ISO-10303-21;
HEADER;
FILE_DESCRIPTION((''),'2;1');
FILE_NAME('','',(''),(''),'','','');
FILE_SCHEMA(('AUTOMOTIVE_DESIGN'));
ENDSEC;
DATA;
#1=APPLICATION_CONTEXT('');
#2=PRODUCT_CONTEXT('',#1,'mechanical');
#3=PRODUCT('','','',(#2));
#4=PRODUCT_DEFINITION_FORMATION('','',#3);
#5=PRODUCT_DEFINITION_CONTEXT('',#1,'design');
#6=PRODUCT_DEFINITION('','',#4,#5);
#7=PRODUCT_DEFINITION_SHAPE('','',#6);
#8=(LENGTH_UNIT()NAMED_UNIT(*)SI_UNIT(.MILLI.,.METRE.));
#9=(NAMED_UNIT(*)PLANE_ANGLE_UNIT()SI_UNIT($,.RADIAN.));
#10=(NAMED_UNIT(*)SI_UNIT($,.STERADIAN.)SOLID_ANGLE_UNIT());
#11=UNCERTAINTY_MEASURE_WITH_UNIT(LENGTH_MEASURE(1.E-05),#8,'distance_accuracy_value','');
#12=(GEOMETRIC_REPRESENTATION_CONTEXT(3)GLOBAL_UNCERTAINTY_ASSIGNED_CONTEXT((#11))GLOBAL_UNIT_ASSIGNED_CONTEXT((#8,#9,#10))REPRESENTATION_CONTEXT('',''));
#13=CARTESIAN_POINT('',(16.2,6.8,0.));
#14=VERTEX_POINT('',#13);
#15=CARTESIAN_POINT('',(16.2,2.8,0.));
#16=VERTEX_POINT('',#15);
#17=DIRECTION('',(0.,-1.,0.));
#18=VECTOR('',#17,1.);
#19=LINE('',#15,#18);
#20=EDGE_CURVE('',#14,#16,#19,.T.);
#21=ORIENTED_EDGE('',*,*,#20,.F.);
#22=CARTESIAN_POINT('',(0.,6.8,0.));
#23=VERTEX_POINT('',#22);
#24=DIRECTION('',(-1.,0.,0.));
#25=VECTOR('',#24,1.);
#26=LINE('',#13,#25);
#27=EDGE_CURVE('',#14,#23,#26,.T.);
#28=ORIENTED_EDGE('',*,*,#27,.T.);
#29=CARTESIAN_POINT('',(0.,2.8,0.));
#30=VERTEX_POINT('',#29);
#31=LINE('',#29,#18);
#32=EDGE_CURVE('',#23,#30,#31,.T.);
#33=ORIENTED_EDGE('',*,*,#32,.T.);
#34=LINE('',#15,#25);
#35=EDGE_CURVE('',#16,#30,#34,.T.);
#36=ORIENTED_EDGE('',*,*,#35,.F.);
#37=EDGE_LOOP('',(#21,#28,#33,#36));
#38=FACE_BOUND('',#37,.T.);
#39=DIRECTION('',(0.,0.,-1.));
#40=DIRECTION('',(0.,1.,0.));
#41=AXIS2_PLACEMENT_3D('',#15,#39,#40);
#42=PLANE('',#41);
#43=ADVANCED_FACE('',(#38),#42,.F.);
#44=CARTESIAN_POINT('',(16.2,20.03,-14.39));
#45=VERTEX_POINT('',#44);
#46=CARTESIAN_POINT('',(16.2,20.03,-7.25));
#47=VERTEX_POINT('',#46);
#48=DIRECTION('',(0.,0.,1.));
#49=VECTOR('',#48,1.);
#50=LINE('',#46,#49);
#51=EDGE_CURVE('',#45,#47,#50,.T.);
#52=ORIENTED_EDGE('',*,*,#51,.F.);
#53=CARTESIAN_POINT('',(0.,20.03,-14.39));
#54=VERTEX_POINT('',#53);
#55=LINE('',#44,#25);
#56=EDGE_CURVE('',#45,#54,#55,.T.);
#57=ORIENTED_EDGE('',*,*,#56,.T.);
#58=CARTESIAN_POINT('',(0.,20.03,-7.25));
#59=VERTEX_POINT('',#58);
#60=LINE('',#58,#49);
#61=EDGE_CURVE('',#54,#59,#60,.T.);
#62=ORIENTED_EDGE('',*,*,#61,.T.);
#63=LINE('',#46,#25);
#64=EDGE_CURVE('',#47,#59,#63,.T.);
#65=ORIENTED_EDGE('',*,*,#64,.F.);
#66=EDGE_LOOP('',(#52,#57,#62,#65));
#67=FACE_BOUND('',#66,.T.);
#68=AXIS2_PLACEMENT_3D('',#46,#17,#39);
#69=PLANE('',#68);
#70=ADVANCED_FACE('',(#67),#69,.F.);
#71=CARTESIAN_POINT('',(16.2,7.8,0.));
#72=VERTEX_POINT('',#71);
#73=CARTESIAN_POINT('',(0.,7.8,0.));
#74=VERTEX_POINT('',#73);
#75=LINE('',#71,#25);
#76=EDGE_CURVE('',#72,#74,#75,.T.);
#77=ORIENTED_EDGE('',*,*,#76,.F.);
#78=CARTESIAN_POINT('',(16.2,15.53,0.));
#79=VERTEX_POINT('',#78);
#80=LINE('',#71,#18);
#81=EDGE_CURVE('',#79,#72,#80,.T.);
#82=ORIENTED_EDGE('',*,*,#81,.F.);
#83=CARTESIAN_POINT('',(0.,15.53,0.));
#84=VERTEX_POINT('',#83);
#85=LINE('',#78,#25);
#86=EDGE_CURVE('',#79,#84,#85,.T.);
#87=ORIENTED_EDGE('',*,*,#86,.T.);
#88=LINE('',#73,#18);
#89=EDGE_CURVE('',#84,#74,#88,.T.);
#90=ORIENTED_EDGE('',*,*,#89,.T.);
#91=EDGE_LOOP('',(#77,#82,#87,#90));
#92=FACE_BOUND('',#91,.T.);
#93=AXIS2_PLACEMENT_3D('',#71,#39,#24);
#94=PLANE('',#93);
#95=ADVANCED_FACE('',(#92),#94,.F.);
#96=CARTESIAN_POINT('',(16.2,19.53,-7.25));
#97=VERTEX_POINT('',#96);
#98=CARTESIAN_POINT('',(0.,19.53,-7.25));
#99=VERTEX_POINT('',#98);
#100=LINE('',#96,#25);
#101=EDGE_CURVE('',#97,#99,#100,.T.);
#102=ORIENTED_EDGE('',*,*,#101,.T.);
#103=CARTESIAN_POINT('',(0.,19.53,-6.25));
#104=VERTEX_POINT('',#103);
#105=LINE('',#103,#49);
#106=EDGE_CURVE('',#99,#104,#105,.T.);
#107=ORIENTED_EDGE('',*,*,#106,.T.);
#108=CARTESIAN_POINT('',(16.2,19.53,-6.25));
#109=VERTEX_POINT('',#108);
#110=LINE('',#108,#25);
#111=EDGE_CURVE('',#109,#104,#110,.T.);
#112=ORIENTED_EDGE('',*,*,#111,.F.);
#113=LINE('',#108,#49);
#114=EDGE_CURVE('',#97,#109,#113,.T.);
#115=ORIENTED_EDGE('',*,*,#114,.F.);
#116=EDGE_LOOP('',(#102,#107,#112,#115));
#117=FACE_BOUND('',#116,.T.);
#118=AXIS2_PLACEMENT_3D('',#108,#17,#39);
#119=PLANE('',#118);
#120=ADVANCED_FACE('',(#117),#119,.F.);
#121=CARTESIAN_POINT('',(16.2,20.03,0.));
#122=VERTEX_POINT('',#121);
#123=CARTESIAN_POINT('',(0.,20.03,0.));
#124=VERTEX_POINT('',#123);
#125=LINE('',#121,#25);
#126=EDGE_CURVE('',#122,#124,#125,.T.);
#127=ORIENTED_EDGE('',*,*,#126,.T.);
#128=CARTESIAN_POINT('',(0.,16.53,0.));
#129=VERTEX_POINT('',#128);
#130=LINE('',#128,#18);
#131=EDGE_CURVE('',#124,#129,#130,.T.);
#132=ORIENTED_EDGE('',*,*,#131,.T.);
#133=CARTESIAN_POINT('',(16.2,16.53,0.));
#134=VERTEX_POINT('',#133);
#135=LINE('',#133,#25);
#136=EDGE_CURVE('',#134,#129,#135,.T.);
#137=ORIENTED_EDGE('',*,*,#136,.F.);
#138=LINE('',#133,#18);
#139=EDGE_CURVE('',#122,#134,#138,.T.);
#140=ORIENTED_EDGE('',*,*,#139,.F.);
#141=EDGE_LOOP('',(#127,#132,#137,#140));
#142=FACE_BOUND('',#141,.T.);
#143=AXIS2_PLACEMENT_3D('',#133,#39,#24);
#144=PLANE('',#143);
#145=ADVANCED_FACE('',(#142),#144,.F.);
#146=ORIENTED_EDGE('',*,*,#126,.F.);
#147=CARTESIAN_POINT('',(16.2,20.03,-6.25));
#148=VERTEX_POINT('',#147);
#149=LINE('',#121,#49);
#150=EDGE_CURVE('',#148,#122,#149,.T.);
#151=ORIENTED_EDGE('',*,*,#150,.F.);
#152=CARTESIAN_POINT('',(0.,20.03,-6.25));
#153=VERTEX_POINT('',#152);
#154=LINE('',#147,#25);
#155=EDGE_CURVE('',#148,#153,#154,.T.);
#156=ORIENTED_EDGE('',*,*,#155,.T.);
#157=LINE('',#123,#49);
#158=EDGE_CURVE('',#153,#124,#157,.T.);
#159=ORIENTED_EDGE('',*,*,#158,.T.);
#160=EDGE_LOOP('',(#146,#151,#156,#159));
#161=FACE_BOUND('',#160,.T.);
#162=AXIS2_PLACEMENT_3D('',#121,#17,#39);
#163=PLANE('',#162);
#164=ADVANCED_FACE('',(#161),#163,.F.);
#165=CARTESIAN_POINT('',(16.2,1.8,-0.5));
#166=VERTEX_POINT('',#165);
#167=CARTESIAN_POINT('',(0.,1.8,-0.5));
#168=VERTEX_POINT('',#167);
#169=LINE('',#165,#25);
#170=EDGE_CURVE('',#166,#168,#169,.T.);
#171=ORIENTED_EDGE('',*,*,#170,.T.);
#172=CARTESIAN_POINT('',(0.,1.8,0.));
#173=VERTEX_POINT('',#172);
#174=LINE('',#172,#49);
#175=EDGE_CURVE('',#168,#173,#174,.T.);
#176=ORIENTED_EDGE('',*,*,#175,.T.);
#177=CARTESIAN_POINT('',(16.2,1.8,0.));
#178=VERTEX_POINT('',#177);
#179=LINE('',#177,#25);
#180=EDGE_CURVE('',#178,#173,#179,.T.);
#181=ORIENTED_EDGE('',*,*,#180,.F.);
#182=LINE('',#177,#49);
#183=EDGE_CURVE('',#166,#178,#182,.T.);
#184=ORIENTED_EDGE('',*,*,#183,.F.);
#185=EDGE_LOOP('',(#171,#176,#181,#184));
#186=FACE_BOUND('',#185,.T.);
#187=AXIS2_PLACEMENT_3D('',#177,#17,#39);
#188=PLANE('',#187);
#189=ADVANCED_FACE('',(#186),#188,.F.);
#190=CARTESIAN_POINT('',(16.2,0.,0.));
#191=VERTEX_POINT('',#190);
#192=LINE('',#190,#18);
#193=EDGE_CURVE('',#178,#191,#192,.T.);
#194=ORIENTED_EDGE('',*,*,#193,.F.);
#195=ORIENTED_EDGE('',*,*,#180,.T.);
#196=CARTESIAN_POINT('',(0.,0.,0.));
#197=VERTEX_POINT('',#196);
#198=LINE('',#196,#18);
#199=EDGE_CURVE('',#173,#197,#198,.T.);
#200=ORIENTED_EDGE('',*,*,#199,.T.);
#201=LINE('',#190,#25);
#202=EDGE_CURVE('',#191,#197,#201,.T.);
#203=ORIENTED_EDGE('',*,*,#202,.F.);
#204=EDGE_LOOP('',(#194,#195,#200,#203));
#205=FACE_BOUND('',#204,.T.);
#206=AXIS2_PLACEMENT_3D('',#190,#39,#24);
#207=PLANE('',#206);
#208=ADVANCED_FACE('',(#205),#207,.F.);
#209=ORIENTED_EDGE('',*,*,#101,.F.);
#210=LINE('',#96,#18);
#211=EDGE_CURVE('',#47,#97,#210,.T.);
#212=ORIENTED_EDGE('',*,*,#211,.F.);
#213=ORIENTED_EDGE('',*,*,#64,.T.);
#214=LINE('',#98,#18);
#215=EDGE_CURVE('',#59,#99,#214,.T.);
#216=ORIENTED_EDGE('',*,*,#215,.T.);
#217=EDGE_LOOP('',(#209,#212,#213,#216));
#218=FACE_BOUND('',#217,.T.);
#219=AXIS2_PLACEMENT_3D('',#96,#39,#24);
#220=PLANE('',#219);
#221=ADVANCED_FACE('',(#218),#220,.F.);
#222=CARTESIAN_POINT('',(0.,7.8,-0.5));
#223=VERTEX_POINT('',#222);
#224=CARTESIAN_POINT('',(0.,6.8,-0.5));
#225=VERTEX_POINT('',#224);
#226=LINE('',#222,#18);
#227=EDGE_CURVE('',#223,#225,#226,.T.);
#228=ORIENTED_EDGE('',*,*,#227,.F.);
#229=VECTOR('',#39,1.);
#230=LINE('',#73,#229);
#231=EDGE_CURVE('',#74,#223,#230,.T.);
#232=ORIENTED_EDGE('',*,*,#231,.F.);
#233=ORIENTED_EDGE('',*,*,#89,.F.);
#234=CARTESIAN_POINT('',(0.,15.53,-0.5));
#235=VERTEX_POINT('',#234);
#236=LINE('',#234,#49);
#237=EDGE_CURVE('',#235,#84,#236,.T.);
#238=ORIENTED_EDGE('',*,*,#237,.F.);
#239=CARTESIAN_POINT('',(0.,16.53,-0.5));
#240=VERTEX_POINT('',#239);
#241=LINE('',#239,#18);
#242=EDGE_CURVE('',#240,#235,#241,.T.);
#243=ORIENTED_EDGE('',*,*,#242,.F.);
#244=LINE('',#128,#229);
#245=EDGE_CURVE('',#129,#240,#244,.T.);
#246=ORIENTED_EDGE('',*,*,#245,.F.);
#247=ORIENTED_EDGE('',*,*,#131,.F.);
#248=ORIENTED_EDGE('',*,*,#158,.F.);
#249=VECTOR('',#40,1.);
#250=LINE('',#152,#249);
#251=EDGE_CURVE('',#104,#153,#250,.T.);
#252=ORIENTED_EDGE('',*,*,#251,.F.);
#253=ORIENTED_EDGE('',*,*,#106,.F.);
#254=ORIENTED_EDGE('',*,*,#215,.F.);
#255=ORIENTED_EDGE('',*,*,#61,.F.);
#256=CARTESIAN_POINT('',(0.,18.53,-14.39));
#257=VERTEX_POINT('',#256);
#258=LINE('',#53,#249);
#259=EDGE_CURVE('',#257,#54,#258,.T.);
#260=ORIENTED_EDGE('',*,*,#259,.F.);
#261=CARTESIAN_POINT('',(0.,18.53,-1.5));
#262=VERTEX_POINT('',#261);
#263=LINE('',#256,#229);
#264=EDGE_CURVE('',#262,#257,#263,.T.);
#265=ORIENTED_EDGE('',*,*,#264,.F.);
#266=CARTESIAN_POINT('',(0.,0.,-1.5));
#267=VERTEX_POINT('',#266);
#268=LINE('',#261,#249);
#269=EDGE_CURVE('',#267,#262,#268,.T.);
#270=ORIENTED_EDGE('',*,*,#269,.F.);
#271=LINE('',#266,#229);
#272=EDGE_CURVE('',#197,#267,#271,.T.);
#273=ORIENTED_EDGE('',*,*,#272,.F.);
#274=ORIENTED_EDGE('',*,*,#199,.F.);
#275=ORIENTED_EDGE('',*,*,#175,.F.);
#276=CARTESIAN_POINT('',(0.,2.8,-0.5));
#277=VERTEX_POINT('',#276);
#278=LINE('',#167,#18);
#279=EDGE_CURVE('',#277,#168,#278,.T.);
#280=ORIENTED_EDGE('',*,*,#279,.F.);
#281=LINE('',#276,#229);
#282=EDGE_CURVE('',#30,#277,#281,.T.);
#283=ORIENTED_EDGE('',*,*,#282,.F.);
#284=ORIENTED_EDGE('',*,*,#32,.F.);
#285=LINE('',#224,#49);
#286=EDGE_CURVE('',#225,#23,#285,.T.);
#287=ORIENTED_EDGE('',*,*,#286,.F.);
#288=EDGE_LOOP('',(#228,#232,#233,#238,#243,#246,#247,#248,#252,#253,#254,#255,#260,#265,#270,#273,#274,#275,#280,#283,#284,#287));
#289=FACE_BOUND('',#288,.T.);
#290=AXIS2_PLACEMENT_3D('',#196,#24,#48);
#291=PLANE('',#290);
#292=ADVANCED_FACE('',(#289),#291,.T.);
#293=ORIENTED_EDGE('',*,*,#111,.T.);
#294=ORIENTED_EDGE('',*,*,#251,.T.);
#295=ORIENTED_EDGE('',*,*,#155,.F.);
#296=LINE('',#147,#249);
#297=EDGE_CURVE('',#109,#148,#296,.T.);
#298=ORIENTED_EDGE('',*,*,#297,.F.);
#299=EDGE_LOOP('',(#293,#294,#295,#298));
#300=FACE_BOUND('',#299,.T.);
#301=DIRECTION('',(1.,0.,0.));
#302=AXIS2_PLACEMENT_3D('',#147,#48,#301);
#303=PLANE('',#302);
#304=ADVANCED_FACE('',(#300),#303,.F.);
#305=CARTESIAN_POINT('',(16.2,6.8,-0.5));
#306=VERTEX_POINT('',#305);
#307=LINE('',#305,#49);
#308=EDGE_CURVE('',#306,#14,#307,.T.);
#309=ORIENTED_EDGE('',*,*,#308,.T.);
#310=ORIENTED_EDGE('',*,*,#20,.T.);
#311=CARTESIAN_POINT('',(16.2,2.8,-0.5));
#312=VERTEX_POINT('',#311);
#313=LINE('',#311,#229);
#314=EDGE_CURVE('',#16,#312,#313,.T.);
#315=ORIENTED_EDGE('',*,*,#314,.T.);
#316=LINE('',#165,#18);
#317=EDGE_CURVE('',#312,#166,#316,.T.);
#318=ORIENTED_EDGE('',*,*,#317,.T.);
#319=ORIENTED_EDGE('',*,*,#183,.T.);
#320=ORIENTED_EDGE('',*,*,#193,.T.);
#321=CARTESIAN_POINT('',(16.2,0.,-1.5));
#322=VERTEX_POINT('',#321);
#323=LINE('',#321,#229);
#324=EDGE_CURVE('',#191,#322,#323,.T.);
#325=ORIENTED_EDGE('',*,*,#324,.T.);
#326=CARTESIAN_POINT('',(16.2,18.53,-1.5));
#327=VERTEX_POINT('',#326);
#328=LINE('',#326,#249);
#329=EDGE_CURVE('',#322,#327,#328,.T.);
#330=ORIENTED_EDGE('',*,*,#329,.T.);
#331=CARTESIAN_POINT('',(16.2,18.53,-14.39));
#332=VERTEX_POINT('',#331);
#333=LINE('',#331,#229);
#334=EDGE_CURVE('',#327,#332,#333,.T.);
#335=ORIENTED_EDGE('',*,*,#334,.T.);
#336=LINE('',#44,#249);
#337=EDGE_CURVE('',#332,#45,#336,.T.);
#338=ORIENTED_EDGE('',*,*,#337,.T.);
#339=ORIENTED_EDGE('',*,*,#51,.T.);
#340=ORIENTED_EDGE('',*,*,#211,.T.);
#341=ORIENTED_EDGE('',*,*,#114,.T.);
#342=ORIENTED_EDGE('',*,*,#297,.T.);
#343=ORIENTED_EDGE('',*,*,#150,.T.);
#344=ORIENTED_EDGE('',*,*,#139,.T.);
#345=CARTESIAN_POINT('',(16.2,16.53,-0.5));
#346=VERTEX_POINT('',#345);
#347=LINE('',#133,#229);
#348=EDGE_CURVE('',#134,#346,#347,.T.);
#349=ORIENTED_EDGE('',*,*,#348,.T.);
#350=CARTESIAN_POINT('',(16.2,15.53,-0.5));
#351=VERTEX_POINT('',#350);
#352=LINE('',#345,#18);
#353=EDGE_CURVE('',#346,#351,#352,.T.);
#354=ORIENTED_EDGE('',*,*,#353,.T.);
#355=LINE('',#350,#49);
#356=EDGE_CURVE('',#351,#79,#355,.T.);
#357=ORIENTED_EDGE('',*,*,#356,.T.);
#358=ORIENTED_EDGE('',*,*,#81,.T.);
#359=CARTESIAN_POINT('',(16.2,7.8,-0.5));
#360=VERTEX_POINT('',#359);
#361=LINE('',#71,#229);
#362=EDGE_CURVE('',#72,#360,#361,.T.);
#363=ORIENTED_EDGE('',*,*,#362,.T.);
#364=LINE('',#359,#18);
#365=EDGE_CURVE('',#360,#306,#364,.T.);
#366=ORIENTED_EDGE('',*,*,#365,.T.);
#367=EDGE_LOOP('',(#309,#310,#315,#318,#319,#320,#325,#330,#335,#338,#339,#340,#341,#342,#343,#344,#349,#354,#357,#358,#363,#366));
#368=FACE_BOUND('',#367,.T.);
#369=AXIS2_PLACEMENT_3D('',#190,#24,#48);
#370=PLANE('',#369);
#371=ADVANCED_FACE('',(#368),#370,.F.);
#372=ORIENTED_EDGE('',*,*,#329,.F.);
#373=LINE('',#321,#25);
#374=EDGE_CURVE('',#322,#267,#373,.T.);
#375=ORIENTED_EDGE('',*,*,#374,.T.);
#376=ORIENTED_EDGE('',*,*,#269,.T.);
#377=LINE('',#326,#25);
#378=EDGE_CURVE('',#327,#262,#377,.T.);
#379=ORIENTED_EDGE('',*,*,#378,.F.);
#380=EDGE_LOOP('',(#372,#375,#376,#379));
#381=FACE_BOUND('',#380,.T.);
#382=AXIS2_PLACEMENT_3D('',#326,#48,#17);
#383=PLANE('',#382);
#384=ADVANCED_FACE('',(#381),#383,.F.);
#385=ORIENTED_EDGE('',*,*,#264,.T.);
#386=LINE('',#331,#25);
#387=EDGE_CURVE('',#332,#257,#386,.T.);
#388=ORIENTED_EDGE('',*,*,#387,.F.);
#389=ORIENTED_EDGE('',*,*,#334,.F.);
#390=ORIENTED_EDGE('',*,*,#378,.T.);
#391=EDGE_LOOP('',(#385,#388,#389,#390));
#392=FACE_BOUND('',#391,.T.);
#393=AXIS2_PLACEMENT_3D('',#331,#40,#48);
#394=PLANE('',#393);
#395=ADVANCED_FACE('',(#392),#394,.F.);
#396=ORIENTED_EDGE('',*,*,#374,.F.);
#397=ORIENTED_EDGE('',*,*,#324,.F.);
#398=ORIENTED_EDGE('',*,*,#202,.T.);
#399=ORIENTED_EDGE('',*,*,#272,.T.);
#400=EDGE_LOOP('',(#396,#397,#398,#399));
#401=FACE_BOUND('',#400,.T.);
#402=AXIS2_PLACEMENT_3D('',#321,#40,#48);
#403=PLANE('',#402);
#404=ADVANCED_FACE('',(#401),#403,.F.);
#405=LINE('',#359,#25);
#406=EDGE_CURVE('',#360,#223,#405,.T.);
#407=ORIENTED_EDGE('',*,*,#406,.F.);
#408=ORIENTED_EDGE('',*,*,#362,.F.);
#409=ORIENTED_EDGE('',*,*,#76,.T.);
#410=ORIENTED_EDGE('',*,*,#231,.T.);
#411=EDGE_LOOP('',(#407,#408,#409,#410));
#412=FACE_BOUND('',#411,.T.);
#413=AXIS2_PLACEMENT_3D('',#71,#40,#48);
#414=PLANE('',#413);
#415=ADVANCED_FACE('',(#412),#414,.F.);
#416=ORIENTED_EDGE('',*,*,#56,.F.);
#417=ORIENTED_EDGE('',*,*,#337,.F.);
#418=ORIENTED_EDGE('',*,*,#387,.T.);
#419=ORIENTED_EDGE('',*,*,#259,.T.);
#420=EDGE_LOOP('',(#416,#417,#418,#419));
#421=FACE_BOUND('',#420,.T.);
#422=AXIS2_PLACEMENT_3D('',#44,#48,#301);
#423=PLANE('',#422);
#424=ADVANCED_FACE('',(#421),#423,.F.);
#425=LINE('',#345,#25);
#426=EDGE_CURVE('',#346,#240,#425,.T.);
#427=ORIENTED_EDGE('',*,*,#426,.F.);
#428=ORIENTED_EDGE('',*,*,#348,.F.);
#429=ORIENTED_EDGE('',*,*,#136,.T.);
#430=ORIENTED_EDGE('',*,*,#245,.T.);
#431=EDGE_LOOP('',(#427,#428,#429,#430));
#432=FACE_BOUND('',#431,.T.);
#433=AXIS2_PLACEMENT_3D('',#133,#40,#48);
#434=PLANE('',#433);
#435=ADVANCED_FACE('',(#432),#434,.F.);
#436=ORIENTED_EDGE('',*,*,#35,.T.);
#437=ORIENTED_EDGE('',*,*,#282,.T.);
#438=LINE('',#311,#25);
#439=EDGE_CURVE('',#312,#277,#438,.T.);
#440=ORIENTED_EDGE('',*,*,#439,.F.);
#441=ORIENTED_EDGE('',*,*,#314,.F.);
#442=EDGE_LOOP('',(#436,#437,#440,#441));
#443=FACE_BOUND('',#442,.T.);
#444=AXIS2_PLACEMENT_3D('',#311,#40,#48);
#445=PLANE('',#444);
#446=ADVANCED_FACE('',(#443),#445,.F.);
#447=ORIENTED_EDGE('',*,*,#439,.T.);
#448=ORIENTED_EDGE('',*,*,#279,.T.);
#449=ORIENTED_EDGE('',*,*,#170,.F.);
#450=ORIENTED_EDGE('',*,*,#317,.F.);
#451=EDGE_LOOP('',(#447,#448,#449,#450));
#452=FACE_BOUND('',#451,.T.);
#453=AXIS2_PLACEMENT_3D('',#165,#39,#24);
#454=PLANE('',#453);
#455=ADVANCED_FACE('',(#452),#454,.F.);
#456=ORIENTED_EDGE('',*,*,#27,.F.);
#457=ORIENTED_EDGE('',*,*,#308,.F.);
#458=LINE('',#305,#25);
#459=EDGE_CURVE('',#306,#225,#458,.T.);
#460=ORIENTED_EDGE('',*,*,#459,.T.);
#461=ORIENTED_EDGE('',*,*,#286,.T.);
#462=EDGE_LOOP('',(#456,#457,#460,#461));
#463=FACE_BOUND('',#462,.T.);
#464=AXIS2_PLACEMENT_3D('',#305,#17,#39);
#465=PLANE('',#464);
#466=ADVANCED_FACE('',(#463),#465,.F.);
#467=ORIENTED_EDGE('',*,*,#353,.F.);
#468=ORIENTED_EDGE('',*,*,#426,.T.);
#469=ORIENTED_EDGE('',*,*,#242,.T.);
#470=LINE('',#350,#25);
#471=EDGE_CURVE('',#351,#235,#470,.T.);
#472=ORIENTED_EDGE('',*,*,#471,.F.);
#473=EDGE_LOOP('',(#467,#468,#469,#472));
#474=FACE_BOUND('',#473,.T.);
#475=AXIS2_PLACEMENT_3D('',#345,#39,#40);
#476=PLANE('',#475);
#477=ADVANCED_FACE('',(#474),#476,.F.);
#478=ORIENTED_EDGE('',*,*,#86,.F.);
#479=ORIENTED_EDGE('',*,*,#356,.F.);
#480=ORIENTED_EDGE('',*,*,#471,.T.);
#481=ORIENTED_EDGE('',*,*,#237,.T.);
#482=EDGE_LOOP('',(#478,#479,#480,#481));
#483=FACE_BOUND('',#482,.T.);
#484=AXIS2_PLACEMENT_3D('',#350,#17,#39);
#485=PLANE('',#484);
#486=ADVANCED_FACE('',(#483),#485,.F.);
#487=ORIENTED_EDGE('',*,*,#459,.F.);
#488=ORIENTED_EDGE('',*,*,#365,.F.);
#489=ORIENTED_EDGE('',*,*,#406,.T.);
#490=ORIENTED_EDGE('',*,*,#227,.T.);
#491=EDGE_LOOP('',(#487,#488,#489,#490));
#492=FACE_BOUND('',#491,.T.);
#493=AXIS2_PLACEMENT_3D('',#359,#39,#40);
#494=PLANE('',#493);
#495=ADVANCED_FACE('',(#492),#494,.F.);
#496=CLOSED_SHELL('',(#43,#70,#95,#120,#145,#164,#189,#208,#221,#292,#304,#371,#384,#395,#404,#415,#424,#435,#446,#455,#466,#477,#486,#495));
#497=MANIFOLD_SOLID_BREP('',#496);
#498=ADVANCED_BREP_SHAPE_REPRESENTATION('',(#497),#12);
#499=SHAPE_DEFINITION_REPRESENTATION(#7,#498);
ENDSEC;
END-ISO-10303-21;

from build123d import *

# Parameters (mm, degrees)
BOSS_EXTRUDE1_DEPTH = 16.2


with BuildPart() as part:
    # Sketch1 → Boss-Extrude1 (new body)
    with BuildSketch(Plane(origin=(0, 0, 0), x_dir=(0, 0, -1), z_dir=(1, 0, 0))):
        Polygon((0, 0), (0, 1.8), (0.5, 1.8), (0.5, 2.8), (0, 2.8), (0, 6.8), (0.5, 6.8), (0.5, 7.8), (0, 7.8), (0, 15.53), (0.5, 15.53), (0.5, 16.53), (0, 16.53), (0, 20.03), (6.25, 20.03), (6.25, 19.53), (7.25, 19.53), (7.25, 20.03), (14.39, 20.03), (14.39, 18.53), (1.5, 18.53), (1.5, 0), align=None)
    extrude(amount=BOSS_EXTRUDE1_DEPTH)


solid = part.part
